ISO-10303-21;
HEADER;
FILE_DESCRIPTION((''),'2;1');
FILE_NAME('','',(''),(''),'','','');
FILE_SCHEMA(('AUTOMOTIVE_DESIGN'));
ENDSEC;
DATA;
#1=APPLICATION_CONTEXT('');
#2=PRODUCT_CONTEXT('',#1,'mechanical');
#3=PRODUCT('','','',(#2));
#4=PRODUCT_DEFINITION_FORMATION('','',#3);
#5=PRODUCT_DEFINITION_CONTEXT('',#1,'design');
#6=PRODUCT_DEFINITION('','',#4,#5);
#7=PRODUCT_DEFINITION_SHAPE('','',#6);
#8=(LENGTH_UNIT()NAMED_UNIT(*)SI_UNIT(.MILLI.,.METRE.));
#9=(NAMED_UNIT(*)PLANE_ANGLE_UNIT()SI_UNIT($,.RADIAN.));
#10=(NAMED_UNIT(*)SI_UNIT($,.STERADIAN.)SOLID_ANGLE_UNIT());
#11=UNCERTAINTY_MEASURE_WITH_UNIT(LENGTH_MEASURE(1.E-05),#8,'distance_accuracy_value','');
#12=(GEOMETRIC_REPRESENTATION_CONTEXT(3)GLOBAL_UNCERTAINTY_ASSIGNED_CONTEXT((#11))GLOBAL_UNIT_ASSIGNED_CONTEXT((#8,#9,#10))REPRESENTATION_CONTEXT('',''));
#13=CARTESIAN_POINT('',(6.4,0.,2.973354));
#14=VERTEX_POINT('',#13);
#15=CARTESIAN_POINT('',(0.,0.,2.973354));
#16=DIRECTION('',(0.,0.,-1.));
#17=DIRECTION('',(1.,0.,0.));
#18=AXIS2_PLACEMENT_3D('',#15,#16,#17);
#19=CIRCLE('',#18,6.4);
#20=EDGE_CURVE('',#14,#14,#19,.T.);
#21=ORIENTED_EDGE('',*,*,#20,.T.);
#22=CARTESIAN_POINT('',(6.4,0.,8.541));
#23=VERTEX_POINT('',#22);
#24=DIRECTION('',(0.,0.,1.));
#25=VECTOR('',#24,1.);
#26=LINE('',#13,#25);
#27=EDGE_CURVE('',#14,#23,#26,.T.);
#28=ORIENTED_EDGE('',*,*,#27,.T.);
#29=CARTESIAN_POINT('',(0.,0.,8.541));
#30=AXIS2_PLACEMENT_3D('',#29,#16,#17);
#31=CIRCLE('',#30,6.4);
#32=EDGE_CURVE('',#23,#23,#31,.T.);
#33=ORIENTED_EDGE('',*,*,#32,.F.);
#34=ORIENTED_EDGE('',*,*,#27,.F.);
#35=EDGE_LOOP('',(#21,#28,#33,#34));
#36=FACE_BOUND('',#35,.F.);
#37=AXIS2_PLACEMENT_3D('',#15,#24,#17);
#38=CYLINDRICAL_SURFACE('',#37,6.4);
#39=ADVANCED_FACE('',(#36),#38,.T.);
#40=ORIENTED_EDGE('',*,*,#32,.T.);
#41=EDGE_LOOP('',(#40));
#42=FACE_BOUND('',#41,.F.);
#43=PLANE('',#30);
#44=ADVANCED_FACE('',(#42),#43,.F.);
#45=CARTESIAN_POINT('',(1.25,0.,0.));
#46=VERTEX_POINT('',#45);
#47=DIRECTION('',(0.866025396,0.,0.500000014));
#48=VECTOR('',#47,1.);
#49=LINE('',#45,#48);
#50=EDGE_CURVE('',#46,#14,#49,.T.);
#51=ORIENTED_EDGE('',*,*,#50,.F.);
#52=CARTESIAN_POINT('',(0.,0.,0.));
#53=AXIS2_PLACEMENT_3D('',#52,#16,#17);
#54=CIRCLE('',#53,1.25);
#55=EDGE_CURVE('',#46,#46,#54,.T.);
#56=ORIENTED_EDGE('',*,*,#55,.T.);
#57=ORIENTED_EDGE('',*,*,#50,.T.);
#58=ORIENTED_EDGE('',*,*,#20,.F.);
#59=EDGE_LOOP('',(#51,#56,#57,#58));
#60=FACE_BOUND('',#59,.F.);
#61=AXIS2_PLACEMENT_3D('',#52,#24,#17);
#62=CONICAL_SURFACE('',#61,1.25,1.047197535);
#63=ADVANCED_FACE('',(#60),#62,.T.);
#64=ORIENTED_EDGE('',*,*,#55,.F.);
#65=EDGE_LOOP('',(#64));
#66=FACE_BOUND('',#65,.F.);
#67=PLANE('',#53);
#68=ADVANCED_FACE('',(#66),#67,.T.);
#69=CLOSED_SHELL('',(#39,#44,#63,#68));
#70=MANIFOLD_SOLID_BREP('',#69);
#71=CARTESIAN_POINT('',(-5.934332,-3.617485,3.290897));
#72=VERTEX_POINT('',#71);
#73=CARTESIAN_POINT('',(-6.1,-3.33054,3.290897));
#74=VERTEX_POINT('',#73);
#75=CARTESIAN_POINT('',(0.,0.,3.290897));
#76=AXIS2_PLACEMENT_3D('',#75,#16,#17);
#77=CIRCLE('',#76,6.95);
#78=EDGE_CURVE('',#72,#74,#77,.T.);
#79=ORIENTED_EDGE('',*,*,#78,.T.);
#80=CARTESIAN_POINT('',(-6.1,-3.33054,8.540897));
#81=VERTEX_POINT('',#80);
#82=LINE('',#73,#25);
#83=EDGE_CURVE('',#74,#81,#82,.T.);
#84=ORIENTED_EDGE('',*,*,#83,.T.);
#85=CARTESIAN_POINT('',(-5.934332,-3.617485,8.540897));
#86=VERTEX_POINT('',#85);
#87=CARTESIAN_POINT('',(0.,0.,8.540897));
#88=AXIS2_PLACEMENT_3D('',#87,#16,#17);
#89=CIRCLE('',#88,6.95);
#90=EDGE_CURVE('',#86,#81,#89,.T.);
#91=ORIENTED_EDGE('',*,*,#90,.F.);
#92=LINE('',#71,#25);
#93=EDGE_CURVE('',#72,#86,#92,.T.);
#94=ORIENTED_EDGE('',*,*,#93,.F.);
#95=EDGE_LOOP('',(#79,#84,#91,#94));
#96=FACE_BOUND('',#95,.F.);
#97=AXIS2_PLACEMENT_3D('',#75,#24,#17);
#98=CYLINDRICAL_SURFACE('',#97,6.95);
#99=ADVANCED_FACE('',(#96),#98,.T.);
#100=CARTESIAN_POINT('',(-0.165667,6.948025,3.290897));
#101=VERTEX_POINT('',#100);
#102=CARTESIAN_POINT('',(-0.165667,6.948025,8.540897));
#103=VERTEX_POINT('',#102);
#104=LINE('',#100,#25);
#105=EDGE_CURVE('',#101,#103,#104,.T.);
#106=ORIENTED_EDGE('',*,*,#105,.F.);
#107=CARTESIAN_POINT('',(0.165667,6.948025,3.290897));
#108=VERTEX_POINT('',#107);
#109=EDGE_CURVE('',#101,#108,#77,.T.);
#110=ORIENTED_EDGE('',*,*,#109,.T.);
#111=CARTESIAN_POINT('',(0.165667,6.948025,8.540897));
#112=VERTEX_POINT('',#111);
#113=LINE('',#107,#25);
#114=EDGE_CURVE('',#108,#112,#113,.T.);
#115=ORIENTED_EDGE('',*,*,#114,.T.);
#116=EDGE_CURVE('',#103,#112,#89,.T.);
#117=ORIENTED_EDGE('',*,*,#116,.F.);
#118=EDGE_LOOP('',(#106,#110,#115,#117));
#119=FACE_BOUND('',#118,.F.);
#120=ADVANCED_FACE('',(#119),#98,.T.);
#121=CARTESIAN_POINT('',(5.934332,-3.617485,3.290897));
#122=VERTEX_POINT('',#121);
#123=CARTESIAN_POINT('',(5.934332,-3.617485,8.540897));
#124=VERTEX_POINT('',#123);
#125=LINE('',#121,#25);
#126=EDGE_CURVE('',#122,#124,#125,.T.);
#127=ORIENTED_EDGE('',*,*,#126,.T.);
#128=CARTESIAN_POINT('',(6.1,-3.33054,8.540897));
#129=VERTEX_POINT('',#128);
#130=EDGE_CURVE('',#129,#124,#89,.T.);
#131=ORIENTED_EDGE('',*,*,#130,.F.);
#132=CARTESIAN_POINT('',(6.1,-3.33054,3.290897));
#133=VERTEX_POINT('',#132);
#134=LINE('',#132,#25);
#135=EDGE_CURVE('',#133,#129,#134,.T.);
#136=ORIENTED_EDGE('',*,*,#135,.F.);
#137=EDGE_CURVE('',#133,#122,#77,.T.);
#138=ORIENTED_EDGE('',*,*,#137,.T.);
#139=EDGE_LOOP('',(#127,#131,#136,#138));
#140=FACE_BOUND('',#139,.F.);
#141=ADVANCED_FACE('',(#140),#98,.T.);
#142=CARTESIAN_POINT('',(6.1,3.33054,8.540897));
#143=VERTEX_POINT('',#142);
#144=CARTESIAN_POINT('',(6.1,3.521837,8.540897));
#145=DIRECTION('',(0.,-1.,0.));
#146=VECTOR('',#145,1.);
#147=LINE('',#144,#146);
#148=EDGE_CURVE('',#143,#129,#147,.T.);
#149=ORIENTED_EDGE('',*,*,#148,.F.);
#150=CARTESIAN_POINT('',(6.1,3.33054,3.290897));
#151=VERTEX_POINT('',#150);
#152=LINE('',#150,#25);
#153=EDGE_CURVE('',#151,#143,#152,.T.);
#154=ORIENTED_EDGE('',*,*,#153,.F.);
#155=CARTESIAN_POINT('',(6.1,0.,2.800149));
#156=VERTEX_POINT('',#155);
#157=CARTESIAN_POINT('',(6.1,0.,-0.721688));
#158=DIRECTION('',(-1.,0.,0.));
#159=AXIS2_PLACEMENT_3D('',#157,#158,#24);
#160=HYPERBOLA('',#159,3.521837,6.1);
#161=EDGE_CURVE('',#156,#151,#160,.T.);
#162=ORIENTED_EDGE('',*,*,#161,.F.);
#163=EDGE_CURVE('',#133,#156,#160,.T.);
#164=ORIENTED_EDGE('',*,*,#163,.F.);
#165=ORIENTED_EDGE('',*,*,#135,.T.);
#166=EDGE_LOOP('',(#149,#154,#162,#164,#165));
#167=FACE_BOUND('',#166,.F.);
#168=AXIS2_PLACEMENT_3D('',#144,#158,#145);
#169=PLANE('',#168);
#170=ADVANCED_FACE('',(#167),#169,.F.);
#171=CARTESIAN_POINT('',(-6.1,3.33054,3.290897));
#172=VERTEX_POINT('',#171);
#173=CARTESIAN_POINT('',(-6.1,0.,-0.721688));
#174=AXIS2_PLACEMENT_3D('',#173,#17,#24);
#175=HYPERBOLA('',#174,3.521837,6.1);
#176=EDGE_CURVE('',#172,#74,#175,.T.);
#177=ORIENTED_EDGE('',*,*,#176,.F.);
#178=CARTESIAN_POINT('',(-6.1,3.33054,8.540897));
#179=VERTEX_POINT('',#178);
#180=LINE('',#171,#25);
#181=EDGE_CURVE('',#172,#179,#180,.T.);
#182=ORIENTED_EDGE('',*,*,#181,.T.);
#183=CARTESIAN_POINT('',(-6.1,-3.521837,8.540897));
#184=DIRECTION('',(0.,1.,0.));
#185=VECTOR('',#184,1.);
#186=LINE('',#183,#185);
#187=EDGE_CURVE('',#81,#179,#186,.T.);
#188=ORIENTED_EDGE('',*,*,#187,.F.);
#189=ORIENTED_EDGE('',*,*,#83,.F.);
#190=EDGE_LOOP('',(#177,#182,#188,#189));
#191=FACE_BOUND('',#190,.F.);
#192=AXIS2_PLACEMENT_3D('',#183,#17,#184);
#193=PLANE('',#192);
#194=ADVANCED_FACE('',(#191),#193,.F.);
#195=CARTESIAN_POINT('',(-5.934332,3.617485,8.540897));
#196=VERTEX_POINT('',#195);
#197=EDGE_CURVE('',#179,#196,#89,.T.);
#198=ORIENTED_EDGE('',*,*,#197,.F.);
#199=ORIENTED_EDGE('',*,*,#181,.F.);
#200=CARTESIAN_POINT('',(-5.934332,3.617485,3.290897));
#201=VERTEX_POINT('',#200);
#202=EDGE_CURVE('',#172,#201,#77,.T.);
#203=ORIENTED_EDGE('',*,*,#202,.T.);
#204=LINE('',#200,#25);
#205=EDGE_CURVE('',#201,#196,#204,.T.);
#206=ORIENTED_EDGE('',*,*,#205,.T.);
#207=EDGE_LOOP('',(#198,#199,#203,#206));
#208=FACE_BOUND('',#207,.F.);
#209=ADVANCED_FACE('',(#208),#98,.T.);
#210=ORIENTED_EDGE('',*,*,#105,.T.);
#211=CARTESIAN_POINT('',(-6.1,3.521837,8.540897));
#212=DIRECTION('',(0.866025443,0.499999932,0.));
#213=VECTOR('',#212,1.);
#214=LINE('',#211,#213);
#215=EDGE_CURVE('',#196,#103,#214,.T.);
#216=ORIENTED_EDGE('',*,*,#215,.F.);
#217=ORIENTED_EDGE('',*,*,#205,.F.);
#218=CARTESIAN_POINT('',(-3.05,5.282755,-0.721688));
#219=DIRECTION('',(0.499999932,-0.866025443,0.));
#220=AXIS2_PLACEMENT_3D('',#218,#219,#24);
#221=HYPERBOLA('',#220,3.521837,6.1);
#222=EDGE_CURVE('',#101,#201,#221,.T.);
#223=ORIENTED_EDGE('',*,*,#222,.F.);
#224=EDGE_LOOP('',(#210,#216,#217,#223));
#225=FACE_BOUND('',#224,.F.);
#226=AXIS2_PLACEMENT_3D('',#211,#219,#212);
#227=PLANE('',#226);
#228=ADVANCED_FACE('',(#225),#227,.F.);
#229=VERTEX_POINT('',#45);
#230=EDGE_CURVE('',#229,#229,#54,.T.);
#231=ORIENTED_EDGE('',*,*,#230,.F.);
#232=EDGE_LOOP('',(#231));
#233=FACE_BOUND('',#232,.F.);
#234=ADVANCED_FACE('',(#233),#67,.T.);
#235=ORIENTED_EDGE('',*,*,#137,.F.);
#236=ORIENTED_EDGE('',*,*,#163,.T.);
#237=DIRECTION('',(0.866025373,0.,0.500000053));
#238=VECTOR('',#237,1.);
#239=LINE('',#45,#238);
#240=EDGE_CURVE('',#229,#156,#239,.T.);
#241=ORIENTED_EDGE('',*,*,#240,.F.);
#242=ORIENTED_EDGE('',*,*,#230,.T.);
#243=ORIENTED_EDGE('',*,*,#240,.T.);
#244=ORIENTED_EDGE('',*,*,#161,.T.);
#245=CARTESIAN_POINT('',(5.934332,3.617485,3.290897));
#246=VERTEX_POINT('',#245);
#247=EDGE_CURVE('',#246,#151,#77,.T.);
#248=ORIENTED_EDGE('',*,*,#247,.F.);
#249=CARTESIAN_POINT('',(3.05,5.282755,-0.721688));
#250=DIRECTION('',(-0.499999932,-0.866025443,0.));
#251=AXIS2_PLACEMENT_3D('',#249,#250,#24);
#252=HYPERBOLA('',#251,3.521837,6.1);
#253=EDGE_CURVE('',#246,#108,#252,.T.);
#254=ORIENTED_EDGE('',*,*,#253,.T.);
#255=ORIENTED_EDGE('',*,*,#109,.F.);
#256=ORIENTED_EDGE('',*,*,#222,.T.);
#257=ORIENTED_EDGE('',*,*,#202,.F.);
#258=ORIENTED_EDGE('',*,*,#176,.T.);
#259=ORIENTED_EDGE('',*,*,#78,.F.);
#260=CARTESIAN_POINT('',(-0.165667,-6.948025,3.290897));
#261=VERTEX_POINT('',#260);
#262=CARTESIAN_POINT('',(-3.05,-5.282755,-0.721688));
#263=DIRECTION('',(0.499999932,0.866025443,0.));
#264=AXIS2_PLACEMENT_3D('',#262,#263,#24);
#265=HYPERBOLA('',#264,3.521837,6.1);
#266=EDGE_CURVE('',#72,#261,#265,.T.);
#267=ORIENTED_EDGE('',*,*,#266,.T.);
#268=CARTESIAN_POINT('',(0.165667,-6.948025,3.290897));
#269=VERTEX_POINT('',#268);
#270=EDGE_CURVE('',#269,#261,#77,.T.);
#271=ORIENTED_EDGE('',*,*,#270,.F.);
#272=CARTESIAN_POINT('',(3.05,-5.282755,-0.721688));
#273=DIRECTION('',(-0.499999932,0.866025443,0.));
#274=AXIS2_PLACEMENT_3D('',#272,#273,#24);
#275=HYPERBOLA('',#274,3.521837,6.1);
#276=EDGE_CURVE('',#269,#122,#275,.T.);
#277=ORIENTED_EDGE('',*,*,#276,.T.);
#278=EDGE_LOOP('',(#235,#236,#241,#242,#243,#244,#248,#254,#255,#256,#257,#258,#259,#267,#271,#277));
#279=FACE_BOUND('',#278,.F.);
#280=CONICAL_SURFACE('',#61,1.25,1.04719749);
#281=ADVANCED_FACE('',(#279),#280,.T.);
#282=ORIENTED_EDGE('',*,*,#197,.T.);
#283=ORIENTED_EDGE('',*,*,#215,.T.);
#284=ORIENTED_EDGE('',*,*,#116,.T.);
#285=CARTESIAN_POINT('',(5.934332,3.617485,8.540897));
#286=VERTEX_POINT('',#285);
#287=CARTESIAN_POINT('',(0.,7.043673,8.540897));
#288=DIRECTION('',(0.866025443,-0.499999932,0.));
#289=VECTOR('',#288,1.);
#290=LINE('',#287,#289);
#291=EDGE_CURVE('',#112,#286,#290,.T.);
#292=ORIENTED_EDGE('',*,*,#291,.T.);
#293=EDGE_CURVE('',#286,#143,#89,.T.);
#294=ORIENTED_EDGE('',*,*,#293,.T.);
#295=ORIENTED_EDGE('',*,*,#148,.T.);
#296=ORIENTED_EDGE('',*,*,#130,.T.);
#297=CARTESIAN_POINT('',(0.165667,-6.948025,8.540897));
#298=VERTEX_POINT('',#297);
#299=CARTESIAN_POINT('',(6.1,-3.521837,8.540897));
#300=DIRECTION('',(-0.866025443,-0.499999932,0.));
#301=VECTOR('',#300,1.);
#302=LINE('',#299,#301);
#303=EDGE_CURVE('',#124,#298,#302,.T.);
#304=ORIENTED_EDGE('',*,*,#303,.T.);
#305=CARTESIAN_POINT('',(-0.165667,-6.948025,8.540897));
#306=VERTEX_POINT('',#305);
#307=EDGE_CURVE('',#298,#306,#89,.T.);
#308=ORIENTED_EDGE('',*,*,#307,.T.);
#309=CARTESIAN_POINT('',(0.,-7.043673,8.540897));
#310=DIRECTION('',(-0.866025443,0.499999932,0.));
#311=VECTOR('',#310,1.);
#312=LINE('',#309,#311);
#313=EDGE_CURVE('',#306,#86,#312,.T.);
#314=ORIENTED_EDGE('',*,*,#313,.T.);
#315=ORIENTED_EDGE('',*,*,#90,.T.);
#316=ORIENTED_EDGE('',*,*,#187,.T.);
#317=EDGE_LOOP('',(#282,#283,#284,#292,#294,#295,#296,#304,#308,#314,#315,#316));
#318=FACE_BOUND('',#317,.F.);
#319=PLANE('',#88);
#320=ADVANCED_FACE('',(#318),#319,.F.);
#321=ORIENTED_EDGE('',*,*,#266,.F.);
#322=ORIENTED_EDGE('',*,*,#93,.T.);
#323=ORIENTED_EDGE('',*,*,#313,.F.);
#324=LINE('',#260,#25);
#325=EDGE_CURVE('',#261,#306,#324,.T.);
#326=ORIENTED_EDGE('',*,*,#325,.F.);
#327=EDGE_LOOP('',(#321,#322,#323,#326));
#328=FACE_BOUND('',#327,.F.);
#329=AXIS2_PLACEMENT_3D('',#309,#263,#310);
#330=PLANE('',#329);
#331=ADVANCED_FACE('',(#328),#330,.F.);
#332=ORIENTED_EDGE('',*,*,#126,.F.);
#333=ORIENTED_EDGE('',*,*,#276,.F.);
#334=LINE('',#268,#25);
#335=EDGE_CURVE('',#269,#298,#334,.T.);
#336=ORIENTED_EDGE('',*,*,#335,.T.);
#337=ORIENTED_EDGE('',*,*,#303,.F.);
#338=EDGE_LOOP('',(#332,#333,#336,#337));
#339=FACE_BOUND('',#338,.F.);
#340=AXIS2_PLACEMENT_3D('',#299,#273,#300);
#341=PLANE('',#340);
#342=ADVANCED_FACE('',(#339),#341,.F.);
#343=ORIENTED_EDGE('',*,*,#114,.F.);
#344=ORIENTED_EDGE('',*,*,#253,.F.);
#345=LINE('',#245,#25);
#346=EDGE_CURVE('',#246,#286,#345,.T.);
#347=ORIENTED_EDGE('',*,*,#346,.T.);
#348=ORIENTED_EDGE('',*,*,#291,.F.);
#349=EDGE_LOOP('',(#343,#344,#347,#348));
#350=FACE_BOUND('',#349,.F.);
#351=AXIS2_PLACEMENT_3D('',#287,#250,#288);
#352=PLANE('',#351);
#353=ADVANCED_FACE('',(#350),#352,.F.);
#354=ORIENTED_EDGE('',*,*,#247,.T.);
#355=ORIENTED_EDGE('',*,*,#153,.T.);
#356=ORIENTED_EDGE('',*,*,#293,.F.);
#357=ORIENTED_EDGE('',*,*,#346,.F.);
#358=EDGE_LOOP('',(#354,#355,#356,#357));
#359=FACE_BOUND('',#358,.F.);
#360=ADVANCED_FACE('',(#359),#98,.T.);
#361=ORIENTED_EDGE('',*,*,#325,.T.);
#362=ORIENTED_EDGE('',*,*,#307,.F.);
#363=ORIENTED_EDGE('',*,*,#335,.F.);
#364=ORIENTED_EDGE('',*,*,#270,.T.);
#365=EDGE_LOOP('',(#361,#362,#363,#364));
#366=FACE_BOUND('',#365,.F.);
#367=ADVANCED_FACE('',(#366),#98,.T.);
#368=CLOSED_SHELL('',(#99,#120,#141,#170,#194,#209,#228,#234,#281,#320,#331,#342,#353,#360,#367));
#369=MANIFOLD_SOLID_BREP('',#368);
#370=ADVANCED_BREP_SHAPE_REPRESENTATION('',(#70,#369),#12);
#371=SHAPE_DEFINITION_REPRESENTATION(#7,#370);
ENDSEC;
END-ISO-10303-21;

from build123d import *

# Parameters (mm, degrees)
F2_R     = 10.505318
F3_DEPTH = 25


with BuildPart() as f1:
    # F0 (on Front) → F1 (revolve)
    with BuildSketch(Plane.XZ):
        Polygon((0, 8.540897), (0, 0), (1.25, 0), (6.95, 3.290897), (6.95, 8.540897), align=None)
    revolve(axis=Axis((0, 0, 4.270448), (0, 0, -1)))

    # F2 (on face) → F3 (cut)
    with BuildSketch(Plane.XY.offset(8.540897)):
        Circle(F2_R)
        Polygon((0, 7.043673), (6.1, 3.521837), (6.1, -3.521837), (0, -7.043673), (-6.1, -3.521837), (-6.1, 3.521837), align=None, mode=Mode.SUBTRACT)
    extrude(amount=-F3_DEPTH, mode=Mode.SUBTRACT)


with BuildPart() as f5:
    # F4 (on Front) → F5 (revolve)
    with BuildSketch(Plane.XZ):
        Polygon((0, 8.541), (0, 0), (1.25, 0), (6.4, 2.973354), (6.4, 8.541), align=None)
    revolve(axis=Axis((0, 0, 4.2705), (0, 0, -1)))


solid = Compound([f1.part, f5.part])
